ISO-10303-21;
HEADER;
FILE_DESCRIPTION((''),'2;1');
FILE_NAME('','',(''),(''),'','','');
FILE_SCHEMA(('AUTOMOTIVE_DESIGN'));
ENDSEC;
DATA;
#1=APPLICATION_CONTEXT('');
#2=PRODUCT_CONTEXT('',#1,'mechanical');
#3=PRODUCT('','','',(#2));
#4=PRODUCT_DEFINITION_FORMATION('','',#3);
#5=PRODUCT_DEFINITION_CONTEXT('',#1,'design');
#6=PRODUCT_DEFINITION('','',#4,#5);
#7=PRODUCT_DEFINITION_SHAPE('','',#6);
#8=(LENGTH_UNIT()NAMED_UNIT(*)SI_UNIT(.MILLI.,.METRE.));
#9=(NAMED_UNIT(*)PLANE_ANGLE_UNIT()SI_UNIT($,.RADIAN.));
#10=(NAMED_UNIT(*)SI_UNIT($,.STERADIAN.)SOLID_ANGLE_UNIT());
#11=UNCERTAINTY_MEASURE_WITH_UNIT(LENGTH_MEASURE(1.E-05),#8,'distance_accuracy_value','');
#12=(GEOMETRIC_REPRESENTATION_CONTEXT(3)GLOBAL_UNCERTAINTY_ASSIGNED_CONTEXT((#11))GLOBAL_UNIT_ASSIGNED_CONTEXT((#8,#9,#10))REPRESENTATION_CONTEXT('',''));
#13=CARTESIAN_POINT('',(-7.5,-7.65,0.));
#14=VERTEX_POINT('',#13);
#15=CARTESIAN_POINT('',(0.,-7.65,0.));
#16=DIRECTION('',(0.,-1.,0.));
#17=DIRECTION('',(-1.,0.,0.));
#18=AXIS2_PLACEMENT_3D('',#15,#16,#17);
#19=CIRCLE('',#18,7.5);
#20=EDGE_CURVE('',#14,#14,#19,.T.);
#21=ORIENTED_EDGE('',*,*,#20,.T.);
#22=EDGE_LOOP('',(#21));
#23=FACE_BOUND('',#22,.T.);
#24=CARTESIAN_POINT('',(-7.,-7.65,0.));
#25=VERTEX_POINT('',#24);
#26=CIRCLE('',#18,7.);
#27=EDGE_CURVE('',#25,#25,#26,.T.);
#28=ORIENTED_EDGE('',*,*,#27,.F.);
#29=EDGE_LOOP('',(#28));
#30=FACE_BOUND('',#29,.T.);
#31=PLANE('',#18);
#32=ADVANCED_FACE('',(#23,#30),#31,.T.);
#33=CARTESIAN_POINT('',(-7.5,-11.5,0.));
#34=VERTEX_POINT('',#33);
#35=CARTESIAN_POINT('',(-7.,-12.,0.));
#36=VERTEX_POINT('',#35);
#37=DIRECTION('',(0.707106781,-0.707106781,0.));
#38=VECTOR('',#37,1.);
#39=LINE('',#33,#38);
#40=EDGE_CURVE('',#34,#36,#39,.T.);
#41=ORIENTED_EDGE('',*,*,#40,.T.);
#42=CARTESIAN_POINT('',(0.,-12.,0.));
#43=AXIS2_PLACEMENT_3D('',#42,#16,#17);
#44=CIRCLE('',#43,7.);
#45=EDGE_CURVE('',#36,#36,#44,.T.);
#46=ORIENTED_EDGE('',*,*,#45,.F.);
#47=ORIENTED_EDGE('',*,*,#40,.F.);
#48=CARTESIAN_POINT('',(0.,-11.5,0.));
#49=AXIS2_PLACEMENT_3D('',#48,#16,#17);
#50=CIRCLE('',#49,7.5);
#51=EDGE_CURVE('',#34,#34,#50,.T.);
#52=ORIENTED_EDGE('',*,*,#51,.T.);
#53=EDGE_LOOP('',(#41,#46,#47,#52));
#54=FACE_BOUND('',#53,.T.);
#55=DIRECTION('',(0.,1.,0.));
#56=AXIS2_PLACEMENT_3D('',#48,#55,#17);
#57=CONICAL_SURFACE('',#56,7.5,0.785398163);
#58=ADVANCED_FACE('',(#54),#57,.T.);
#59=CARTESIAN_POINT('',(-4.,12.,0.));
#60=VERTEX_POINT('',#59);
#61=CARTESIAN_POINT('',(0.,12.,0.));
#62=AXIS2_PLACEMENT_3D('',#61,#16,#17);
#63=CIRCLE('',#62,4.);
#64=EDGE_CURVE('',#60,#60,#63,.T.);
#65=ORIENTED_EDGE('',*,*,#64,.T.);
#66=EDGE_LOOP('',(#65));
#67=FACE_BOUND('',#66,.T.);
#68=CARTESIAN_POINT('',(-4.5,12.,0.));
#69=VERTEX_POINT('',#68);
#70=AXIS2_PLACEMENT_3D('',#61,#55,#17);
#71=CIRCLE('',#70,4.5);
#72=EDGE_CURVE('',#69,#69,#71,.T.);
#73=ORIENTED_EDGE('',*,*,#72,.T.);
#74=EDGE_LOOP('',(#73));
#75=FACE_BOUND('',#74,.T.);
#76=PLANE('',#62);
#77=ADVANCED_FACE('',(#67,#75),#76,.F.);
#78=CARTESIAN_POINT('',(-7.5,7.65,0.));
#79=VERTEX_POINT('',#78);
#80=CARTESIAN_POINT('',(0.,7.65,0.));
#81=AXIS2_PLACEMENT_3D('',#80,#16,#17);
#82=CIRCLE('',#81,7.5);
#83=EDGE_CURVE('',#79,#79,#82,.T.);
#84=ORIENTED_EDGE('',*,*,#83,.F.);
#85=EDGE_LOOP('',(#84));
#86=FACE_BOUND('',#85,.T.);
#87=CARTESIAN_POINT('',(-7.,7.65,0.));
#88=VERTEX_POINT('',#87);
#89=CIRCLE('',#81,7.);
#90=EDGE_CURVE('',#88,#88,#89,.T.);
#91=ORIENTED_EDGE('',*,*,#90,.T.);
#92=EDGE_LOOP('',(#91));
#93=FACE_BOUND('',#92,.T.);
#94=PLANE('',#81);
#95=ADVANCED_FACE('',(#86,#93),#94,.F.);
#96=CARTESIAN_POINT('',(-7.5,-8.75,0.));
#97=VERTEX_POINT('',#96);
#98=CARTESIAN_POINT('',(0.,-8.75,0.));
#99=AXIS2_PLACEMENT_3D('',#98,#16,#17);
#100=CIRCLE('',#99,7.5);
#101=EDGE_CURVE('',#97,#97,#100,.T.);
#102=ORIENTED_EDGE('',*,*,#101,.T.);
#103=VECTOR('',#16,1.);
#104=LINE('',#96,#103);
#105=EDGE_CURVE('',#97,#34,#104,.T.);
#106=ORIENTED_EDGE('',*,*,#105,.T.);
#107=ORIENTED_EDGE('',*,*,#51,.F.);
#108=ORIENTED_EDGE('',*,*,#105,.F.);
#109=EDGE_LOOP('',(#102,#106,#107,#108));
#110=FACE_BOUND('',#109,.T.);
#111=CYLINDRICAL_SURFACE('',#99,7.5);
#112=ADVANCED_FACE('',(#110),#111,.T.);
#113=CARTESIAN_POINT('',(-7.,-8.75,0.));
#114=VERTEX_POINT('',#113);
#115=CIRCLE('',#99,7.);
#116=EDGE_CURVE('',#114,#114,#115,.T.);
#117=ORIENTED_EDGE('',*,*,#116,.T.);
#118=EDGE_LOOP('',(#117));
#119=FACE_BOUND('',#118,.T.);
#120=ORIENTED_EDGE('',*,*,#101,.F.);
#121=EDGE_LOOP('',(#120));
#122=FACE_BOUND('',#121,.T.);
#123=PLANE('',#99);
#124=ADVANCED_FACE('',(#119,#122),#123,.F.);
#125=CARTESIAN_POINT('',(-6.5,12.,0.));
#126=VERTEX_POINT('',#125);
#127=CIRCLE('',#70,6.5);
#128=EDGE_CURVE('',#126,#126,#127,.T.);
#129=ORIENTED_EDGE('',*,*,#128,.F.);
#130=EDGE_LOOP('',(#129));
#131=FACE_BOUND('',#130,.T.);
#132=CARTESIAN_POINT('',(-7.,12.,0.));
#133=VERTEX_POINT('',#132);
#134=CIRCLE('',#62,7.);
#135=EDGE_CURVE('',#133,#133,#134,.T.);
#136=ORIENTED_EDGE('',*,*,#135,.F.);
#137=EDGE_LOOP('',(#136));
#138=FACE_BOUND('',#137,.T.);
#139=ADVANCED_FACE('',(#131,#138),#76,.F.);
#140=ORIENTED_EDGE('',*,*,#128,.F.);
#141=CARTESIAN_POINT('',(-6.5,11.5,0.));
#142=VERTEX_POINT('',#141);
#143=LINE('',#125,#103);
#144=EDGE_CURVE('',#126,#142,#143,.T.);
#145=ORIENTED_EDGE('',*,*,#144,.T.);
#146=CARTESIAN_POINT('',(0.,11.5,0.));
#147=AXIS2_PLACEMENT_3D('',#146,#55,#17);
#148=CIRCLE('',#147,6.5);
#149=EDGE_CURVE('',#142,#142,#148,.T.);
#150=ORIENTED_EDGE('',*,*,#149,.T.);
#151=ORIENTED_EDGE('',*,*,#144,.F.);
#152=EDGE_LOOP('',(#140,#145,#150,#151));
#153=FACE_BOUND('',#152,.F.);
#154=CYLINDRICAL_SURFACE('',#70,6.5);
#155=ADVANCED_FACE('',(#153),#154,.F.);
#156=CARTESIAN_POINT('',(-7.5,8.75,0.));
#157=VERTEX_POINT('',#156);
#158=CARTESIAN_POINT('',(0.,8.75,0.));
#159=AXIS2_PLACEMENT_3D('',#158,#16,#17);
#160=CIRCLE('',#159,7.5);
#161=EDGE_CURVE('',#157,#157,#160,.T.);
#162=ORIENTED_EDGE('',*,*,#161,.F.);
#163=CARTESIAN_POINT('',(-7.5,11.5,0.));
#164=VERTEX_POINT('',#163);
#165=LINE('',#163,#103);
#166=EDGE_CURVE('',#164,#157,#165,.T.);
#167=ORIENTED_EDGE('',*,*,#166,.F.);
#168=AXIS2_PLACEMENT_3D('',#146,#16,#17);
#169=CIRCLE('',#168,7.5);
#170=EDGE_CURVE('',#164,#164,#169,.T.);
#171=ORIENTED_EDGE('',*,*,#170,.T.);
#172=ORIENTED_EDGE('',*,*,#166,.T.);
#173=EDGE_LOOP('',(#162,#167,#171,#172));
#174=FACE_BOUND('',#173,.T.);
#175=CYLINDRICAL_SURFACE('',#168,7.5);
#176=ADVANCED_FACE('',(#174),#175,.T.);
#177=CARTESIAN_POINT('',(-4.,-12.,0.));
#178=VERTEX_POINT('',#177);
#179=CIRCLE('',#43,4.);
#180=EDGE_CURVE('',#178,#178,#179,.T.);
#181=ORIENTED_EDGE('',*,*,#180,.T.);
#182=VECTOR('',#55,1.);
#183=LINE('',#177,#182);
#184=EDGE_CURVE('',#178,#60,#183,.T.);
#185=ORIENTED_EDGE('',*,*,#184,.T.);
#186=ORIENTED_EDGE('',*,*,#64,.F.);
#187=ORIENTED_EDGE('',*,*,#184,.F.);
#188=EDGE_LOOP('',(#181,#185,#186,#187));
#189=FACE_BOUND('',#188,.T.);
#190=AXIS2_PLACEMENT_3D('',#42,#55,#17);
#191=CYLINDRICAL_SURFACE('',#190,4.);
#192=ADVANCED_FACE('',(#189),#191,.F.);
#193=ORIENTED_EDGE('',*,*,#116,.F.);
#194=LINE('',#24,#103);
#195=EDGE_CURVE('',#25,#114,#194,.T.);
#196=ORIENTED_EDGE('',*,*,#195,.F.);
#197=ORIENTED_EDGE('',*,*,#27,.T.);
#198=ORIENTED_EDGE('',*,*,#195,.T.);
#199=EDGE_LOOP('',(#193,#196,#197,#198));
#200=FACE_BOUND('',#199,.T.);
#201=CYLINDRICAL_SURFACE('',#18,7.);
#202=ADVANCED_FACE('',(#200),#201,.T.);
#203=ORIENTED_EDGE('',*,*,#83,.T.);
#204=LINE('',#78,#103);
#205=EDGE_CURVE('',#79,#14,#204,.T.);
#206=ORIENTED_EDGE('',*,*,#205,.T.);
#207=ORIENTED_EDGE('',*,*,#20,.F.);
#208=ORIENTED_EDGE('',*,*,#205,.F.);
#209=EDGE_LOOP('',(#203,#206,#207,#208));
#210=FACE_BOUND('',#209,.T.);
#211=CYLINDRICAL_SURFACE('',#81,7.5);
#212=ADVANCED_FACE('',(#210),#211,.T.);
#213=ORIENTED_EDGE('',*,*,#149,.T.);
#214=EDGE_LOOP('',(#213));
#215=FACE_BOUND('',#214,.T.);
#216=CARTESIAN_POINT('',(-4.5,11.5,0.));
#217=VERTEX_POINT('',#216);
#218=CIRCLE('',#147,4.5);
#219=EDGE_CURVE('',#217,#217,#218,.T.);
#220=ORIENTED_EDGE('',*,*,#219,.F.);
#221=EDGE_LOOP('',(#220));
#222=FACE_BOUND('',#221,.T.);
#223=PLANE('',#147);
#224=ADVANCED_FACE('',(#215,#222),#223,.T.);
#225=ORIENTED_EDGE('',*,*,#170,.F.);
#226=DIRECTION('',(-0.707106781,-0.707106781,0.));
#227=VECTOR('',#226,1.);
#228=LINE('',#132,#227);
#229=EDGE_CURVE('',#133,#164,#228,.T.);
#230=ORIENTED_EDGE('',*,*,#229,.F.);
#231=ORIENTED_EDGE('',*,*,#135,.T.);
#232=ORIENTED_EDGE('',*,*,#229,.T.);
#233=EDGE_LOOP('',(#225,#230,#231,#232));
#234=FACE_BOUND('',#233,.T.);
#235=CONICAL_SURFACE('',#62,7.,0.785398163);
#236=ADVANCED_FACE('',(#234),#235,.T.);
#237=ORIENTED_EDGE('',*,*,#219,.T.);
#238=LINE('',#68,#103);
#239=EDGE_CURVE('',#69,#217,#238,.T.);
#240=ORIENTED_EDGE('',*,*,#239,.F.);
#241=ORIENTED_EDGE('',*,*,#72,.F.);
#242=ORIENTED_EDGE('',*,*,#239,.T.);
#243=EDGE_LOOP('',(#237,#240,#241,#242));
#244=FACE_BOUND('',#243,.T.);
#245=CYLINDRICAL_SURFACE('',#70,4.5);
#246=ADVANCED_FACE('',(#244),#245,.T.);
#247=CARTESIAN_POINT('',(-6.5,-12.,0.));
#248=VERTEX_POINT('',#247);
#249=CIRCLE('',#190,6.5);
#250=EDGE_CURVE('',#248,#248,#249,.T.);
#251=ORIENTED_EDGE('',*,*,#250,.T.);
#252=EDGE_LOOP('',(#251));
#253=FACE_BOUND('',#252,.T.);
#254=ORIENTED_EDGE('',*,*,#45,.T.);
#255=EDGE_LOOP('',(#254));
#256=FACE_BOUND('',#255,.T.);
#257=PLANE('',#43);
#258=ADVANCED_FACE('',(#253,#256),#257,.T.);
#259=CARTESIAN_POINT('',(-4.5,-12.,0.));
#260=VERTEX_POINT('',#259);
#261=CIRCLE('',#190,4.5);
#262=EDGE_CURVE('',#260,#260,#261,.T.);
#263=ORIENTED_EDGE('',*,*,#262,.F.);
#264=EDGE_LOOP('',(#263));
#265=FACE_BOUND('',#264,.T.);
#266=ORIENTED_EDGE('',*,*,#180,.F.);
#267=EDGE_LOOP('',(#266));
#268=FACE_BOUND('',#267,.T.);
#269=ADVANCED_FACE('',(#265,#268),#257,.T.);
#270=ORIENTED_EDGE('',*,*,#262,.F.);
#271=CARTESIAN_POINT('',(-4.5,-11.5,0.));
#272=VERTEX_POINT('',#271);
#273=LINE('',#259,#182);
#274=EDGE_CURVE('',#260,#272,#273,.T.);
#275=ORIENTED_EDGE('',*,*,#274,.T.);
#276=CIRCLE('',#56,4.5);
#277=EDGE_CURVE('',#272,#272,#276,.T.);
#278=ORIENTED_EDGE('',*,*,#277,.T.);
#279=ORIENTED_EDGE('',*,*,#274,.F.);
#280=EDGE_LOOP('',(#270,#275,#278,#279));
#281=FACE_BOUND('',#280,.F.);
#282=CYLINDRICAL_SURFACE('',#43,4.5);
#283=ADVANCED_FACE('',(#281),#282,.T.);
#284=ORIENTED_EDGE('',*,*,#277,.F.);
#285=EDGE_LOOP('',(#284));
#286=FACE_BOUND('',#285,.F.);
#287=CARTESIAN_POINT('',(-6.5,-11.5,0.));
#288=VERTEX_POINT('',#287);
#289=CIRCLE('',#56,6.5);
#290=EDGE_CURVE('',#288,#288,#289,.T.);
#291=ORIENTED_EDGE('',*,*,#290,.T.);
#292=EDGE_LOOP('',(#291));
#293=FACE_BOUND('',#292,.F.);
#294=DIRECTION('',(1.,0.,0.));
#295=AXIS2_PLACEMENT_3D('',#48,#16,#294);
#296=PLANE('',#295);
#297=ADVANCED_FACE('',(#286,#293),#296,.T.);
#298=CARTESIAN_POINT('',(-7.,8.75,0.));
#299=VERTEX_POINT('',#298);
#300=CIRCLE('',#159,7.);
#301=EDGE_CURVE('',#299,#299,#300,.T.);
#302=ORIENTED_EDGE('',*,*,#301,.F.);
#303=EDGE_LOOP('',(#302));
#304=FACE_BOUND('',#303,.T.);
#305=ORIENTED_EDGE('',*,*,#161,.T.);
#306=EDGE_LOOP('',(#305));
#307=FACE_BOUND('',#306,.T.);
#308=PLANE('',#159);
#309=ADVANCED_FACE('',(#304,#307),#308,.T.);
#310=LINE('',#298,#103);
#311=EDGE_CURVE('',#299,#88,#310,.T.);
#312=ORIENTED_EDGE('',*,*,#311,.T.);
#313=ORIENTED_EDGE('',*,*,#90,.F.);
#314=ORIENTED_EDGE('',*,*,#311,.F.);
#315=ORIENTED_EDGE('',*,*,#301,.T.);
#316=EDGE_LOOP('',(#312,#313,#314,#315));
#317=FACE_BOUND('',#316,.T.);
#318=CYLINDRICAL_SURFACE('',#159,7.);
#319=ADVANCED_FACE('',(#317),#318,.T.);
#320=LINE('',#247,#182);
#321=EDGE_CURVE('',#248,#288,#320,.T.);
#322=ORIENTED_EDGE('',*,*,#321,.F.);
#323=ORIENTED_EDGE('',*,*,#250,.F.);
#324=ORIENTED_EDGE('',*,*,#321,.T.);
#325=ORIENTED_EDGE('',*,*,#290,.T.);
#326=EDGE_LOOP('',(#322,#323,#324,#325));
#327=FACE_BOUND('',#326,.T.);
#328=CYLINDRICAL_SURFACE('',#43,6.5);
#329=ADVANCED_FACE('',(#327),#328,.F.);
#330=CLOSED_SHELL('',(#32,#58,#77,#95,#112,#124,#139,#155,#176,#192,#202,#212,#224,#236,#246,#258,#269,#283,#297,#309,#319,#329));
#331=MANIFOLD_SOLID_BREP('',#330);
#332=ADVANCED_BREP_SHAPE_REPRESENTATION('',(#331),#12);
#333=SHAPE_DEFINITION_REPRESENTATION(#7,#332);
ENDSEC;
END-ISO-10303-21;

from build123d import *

# Parameters (mm, degrees)
SKETCH2_R          = 6.5
SKETCH2_R_2        = 4.5
CUT_EXTRUDE1_DEPTH = 0.5


with BuildPart() as part:
    # Sketch1 → Revolve1 (revolve)
    with BuildSketch(Plane.XY, mode=Mode.PRIVATE) as revolve1_sk:
        Polygon((4, -12), (4, 12), (7, 12), (7.5, 11.5), (7.5, 8.75), (7, 8.75), (7, 7.65), (7.5, 7.65), (7.5, -7.65), (7, -7.65), (7, -8.75), (7.5, -8.75), (7.5, -11.5), (7, -12), align=None)
    revolve(revolve1_sk.sketch.rotate(Axis((0, 12, 0), (0, -1, 0)), 180), axis=Axis((0, 12, 0), (0, -1, 0)))

    # Sketch2 → Cut-Extrude1 (cut)
    with BuildSketch(Plane(origin=(0, 12, 0), x_dir=(1, 0, 0), z_dir=(0, 1, 0))):
        with Locations(Location((0, 0, 0), (0, 0, 180))):
            Circle(SKETCH2_R)
        with Locations(Location((0, 0, 0), (0, 0, 180))):
            Circle(SKETCH2_R_2, mode=Mode.SUBTRACT)
    cut_extrude1 = extrude(amount=-CUT_EXTRUDE1_DEPTH, mode=Mode.SUBTRACT)

    # Mirror1: Cut-Extrude1 across plane
    add(cut_extrude1.mirror(Plane.ZX), mode=Mode.SUBTRACT)


solid = part.part
